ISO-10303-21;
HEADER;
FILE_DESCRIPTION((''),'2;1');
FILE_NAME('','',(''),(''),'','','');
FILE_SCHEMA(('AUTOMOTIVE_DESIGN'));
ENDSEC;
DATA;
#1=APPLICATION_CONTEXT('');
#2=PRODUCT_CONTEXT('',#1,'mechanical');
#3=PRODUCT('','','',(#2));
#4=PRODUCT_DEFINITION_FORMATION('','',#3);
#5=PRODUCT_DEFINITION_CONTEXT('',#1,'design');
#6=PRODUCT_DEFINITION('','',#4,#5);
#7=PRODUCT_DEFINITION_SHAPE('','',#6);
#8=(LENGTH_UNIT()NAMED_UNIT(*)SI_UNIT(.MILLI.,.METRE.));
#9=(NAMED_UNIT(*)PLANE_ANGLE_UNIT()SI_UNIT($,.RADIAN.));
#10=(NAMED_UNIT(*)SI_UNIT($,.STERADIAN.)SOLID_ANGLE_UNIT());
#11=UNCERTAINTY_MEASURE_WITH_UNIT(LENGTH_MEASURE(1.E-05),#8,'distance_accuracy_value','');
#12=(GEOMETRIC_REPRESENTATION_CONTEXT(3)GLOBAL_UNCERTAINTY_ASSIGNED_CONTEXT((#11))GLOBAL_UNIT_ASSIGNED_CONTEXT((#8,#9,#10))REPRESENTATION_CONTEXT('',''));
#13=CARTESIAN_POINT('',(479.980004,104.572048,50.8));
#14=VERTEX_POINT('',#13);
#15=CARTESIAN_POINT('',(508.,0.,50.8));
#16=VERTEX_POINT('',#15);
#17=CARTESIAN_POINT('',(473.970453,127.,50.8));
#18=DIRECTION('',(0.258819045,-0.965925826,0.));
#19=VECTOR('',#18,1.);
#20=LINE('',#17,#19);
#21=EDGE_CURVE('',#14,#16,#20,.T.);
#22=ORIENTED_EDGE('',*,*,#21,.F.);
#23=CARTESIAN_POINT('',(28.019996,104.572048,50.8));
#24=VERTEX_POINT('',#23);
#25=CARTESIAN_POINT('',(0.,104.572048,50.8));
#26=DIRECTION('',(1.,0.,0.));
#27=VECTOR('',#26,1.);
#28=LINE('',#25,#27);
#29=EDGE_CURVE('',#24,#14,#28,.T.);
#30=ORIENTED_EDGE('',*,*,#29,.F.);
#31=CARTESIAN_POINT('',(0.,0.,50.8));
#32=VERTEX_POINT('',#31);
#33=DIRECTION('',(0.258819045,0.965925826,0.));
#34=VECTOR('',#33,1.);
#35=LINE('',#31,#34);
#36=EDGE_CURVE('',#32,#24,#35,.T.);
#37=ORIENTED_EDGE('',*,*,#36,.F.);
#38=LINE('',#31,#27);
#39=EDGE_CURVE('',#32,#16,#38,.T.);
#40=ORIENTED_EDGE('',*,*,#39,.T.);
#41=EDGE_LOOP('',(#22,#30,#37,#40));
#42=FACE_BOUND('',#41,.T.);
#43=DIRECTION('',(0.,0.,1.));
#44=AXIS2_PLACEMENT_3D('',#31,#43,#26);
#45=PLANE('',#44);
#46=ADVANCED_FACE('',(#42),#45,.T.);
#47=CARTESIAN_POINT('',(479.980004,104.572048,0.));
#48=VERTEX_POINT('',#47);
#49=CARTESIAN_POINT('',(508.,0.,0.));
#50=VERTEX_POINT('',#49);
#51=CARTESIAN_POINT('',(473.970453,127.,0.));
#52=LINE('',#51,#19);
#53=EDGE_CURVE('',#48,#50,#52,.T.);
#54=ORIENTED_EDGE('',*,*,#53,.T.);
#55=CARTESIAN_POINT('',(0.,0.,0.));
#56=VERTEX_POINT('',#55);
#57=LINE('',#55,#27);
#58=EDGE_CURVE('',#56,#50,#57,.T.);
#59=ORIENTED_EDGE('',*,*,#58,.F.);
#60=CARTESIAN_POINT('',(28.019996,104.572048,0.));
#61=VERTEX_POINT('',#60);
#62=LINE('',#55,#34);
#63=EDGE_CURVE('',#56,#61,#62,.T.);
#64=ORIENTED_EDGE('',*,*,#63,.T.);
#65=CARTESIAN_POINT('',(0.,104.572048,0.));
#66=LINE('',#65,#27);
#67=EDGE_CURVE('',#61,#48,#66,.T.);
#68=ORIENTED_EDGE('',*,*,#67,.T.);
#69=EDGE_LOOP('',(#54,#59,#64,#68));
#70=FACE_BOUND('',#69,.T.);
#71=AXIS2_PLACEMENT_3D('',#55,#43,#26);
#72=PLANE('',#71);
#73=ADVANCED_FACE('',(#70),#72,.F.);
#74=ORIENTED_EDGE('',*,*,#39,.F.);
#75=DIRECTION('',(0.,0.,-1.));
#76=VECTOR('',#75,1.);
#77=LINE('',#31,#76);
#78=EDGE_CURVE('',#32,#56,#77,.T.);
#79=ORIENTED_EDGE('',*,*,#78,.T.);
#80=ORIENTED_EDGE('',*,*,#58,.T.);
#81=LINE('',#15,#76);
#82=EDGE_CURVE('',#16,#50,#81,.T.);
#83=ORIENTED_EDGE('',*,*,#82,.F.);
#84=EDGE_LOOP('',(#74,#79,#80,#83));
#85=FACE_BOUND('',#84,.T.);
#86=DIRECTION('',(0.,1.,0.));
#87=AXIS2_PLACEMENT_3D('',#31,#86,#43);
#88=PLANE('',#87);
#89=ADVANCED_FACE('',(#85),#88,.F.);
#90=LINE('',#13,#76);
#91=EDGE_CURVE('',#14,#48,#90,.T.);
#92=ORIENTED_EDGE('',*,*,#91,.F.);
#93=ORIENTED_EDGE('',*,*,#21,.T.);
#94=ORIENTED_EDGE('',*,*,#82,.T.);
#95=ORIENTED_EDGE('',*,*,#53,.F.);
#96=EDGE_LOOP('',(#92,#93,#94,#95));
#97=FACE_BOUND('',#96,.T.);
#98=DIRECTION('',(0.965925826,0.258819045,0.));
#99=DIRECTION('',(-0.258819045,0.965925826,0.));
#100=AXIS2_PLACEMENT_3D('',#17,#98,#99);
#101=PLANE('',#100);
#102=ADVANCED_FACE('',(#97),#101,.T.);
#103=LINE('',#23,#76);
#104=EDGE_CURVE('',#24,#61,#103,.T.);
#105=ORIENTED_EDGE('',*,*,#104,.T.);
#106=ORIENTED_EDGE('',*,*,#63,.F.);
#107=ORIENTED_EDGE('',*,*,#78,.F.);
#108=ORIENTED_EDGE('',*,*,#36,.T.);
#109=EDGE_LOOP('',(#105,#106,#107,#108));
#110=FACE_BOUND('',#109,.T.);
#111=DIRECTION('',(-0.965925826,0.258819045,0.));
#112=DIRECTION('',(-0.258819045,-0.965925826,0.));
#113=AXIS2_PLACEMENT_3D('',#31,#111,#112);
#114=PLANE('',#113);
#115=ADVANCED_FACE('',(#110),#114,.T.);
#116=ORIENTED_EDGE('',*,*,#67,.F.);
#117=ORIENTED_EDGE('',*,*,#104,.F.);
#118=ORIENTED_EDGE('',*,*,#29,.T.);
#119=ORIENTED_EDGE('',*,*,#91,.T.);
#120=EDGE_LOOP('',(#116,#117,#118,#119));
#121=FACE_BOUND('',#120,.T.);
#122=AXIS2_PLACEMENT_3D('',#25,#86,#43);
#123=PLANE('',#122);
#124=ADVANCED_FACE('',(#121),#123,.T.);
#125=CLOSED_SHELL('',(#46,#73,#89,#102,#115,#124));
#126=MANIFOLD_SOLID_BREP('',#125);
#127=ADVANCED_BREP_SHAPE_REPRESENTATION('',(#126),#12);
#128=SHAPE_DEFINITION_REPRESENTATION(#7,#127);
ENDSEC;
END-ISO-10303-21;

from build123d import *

# Parameters (mm, degrees)
BOSS_EXTRUDE1_DEPTH = 50.8


with BuildPart() as part:
    # Sketch1 → Boss-Extrude1 (new body)
    with BuildSketch(Plane.XY):
        Polygon((28.019995724, 104.572047671), (0, 0), (508, 0), (479.980004276, 104.572047671), align=None)
    extrude(amount=BOSS_EXTRUDE1_DEPTH)


solid = part.part
